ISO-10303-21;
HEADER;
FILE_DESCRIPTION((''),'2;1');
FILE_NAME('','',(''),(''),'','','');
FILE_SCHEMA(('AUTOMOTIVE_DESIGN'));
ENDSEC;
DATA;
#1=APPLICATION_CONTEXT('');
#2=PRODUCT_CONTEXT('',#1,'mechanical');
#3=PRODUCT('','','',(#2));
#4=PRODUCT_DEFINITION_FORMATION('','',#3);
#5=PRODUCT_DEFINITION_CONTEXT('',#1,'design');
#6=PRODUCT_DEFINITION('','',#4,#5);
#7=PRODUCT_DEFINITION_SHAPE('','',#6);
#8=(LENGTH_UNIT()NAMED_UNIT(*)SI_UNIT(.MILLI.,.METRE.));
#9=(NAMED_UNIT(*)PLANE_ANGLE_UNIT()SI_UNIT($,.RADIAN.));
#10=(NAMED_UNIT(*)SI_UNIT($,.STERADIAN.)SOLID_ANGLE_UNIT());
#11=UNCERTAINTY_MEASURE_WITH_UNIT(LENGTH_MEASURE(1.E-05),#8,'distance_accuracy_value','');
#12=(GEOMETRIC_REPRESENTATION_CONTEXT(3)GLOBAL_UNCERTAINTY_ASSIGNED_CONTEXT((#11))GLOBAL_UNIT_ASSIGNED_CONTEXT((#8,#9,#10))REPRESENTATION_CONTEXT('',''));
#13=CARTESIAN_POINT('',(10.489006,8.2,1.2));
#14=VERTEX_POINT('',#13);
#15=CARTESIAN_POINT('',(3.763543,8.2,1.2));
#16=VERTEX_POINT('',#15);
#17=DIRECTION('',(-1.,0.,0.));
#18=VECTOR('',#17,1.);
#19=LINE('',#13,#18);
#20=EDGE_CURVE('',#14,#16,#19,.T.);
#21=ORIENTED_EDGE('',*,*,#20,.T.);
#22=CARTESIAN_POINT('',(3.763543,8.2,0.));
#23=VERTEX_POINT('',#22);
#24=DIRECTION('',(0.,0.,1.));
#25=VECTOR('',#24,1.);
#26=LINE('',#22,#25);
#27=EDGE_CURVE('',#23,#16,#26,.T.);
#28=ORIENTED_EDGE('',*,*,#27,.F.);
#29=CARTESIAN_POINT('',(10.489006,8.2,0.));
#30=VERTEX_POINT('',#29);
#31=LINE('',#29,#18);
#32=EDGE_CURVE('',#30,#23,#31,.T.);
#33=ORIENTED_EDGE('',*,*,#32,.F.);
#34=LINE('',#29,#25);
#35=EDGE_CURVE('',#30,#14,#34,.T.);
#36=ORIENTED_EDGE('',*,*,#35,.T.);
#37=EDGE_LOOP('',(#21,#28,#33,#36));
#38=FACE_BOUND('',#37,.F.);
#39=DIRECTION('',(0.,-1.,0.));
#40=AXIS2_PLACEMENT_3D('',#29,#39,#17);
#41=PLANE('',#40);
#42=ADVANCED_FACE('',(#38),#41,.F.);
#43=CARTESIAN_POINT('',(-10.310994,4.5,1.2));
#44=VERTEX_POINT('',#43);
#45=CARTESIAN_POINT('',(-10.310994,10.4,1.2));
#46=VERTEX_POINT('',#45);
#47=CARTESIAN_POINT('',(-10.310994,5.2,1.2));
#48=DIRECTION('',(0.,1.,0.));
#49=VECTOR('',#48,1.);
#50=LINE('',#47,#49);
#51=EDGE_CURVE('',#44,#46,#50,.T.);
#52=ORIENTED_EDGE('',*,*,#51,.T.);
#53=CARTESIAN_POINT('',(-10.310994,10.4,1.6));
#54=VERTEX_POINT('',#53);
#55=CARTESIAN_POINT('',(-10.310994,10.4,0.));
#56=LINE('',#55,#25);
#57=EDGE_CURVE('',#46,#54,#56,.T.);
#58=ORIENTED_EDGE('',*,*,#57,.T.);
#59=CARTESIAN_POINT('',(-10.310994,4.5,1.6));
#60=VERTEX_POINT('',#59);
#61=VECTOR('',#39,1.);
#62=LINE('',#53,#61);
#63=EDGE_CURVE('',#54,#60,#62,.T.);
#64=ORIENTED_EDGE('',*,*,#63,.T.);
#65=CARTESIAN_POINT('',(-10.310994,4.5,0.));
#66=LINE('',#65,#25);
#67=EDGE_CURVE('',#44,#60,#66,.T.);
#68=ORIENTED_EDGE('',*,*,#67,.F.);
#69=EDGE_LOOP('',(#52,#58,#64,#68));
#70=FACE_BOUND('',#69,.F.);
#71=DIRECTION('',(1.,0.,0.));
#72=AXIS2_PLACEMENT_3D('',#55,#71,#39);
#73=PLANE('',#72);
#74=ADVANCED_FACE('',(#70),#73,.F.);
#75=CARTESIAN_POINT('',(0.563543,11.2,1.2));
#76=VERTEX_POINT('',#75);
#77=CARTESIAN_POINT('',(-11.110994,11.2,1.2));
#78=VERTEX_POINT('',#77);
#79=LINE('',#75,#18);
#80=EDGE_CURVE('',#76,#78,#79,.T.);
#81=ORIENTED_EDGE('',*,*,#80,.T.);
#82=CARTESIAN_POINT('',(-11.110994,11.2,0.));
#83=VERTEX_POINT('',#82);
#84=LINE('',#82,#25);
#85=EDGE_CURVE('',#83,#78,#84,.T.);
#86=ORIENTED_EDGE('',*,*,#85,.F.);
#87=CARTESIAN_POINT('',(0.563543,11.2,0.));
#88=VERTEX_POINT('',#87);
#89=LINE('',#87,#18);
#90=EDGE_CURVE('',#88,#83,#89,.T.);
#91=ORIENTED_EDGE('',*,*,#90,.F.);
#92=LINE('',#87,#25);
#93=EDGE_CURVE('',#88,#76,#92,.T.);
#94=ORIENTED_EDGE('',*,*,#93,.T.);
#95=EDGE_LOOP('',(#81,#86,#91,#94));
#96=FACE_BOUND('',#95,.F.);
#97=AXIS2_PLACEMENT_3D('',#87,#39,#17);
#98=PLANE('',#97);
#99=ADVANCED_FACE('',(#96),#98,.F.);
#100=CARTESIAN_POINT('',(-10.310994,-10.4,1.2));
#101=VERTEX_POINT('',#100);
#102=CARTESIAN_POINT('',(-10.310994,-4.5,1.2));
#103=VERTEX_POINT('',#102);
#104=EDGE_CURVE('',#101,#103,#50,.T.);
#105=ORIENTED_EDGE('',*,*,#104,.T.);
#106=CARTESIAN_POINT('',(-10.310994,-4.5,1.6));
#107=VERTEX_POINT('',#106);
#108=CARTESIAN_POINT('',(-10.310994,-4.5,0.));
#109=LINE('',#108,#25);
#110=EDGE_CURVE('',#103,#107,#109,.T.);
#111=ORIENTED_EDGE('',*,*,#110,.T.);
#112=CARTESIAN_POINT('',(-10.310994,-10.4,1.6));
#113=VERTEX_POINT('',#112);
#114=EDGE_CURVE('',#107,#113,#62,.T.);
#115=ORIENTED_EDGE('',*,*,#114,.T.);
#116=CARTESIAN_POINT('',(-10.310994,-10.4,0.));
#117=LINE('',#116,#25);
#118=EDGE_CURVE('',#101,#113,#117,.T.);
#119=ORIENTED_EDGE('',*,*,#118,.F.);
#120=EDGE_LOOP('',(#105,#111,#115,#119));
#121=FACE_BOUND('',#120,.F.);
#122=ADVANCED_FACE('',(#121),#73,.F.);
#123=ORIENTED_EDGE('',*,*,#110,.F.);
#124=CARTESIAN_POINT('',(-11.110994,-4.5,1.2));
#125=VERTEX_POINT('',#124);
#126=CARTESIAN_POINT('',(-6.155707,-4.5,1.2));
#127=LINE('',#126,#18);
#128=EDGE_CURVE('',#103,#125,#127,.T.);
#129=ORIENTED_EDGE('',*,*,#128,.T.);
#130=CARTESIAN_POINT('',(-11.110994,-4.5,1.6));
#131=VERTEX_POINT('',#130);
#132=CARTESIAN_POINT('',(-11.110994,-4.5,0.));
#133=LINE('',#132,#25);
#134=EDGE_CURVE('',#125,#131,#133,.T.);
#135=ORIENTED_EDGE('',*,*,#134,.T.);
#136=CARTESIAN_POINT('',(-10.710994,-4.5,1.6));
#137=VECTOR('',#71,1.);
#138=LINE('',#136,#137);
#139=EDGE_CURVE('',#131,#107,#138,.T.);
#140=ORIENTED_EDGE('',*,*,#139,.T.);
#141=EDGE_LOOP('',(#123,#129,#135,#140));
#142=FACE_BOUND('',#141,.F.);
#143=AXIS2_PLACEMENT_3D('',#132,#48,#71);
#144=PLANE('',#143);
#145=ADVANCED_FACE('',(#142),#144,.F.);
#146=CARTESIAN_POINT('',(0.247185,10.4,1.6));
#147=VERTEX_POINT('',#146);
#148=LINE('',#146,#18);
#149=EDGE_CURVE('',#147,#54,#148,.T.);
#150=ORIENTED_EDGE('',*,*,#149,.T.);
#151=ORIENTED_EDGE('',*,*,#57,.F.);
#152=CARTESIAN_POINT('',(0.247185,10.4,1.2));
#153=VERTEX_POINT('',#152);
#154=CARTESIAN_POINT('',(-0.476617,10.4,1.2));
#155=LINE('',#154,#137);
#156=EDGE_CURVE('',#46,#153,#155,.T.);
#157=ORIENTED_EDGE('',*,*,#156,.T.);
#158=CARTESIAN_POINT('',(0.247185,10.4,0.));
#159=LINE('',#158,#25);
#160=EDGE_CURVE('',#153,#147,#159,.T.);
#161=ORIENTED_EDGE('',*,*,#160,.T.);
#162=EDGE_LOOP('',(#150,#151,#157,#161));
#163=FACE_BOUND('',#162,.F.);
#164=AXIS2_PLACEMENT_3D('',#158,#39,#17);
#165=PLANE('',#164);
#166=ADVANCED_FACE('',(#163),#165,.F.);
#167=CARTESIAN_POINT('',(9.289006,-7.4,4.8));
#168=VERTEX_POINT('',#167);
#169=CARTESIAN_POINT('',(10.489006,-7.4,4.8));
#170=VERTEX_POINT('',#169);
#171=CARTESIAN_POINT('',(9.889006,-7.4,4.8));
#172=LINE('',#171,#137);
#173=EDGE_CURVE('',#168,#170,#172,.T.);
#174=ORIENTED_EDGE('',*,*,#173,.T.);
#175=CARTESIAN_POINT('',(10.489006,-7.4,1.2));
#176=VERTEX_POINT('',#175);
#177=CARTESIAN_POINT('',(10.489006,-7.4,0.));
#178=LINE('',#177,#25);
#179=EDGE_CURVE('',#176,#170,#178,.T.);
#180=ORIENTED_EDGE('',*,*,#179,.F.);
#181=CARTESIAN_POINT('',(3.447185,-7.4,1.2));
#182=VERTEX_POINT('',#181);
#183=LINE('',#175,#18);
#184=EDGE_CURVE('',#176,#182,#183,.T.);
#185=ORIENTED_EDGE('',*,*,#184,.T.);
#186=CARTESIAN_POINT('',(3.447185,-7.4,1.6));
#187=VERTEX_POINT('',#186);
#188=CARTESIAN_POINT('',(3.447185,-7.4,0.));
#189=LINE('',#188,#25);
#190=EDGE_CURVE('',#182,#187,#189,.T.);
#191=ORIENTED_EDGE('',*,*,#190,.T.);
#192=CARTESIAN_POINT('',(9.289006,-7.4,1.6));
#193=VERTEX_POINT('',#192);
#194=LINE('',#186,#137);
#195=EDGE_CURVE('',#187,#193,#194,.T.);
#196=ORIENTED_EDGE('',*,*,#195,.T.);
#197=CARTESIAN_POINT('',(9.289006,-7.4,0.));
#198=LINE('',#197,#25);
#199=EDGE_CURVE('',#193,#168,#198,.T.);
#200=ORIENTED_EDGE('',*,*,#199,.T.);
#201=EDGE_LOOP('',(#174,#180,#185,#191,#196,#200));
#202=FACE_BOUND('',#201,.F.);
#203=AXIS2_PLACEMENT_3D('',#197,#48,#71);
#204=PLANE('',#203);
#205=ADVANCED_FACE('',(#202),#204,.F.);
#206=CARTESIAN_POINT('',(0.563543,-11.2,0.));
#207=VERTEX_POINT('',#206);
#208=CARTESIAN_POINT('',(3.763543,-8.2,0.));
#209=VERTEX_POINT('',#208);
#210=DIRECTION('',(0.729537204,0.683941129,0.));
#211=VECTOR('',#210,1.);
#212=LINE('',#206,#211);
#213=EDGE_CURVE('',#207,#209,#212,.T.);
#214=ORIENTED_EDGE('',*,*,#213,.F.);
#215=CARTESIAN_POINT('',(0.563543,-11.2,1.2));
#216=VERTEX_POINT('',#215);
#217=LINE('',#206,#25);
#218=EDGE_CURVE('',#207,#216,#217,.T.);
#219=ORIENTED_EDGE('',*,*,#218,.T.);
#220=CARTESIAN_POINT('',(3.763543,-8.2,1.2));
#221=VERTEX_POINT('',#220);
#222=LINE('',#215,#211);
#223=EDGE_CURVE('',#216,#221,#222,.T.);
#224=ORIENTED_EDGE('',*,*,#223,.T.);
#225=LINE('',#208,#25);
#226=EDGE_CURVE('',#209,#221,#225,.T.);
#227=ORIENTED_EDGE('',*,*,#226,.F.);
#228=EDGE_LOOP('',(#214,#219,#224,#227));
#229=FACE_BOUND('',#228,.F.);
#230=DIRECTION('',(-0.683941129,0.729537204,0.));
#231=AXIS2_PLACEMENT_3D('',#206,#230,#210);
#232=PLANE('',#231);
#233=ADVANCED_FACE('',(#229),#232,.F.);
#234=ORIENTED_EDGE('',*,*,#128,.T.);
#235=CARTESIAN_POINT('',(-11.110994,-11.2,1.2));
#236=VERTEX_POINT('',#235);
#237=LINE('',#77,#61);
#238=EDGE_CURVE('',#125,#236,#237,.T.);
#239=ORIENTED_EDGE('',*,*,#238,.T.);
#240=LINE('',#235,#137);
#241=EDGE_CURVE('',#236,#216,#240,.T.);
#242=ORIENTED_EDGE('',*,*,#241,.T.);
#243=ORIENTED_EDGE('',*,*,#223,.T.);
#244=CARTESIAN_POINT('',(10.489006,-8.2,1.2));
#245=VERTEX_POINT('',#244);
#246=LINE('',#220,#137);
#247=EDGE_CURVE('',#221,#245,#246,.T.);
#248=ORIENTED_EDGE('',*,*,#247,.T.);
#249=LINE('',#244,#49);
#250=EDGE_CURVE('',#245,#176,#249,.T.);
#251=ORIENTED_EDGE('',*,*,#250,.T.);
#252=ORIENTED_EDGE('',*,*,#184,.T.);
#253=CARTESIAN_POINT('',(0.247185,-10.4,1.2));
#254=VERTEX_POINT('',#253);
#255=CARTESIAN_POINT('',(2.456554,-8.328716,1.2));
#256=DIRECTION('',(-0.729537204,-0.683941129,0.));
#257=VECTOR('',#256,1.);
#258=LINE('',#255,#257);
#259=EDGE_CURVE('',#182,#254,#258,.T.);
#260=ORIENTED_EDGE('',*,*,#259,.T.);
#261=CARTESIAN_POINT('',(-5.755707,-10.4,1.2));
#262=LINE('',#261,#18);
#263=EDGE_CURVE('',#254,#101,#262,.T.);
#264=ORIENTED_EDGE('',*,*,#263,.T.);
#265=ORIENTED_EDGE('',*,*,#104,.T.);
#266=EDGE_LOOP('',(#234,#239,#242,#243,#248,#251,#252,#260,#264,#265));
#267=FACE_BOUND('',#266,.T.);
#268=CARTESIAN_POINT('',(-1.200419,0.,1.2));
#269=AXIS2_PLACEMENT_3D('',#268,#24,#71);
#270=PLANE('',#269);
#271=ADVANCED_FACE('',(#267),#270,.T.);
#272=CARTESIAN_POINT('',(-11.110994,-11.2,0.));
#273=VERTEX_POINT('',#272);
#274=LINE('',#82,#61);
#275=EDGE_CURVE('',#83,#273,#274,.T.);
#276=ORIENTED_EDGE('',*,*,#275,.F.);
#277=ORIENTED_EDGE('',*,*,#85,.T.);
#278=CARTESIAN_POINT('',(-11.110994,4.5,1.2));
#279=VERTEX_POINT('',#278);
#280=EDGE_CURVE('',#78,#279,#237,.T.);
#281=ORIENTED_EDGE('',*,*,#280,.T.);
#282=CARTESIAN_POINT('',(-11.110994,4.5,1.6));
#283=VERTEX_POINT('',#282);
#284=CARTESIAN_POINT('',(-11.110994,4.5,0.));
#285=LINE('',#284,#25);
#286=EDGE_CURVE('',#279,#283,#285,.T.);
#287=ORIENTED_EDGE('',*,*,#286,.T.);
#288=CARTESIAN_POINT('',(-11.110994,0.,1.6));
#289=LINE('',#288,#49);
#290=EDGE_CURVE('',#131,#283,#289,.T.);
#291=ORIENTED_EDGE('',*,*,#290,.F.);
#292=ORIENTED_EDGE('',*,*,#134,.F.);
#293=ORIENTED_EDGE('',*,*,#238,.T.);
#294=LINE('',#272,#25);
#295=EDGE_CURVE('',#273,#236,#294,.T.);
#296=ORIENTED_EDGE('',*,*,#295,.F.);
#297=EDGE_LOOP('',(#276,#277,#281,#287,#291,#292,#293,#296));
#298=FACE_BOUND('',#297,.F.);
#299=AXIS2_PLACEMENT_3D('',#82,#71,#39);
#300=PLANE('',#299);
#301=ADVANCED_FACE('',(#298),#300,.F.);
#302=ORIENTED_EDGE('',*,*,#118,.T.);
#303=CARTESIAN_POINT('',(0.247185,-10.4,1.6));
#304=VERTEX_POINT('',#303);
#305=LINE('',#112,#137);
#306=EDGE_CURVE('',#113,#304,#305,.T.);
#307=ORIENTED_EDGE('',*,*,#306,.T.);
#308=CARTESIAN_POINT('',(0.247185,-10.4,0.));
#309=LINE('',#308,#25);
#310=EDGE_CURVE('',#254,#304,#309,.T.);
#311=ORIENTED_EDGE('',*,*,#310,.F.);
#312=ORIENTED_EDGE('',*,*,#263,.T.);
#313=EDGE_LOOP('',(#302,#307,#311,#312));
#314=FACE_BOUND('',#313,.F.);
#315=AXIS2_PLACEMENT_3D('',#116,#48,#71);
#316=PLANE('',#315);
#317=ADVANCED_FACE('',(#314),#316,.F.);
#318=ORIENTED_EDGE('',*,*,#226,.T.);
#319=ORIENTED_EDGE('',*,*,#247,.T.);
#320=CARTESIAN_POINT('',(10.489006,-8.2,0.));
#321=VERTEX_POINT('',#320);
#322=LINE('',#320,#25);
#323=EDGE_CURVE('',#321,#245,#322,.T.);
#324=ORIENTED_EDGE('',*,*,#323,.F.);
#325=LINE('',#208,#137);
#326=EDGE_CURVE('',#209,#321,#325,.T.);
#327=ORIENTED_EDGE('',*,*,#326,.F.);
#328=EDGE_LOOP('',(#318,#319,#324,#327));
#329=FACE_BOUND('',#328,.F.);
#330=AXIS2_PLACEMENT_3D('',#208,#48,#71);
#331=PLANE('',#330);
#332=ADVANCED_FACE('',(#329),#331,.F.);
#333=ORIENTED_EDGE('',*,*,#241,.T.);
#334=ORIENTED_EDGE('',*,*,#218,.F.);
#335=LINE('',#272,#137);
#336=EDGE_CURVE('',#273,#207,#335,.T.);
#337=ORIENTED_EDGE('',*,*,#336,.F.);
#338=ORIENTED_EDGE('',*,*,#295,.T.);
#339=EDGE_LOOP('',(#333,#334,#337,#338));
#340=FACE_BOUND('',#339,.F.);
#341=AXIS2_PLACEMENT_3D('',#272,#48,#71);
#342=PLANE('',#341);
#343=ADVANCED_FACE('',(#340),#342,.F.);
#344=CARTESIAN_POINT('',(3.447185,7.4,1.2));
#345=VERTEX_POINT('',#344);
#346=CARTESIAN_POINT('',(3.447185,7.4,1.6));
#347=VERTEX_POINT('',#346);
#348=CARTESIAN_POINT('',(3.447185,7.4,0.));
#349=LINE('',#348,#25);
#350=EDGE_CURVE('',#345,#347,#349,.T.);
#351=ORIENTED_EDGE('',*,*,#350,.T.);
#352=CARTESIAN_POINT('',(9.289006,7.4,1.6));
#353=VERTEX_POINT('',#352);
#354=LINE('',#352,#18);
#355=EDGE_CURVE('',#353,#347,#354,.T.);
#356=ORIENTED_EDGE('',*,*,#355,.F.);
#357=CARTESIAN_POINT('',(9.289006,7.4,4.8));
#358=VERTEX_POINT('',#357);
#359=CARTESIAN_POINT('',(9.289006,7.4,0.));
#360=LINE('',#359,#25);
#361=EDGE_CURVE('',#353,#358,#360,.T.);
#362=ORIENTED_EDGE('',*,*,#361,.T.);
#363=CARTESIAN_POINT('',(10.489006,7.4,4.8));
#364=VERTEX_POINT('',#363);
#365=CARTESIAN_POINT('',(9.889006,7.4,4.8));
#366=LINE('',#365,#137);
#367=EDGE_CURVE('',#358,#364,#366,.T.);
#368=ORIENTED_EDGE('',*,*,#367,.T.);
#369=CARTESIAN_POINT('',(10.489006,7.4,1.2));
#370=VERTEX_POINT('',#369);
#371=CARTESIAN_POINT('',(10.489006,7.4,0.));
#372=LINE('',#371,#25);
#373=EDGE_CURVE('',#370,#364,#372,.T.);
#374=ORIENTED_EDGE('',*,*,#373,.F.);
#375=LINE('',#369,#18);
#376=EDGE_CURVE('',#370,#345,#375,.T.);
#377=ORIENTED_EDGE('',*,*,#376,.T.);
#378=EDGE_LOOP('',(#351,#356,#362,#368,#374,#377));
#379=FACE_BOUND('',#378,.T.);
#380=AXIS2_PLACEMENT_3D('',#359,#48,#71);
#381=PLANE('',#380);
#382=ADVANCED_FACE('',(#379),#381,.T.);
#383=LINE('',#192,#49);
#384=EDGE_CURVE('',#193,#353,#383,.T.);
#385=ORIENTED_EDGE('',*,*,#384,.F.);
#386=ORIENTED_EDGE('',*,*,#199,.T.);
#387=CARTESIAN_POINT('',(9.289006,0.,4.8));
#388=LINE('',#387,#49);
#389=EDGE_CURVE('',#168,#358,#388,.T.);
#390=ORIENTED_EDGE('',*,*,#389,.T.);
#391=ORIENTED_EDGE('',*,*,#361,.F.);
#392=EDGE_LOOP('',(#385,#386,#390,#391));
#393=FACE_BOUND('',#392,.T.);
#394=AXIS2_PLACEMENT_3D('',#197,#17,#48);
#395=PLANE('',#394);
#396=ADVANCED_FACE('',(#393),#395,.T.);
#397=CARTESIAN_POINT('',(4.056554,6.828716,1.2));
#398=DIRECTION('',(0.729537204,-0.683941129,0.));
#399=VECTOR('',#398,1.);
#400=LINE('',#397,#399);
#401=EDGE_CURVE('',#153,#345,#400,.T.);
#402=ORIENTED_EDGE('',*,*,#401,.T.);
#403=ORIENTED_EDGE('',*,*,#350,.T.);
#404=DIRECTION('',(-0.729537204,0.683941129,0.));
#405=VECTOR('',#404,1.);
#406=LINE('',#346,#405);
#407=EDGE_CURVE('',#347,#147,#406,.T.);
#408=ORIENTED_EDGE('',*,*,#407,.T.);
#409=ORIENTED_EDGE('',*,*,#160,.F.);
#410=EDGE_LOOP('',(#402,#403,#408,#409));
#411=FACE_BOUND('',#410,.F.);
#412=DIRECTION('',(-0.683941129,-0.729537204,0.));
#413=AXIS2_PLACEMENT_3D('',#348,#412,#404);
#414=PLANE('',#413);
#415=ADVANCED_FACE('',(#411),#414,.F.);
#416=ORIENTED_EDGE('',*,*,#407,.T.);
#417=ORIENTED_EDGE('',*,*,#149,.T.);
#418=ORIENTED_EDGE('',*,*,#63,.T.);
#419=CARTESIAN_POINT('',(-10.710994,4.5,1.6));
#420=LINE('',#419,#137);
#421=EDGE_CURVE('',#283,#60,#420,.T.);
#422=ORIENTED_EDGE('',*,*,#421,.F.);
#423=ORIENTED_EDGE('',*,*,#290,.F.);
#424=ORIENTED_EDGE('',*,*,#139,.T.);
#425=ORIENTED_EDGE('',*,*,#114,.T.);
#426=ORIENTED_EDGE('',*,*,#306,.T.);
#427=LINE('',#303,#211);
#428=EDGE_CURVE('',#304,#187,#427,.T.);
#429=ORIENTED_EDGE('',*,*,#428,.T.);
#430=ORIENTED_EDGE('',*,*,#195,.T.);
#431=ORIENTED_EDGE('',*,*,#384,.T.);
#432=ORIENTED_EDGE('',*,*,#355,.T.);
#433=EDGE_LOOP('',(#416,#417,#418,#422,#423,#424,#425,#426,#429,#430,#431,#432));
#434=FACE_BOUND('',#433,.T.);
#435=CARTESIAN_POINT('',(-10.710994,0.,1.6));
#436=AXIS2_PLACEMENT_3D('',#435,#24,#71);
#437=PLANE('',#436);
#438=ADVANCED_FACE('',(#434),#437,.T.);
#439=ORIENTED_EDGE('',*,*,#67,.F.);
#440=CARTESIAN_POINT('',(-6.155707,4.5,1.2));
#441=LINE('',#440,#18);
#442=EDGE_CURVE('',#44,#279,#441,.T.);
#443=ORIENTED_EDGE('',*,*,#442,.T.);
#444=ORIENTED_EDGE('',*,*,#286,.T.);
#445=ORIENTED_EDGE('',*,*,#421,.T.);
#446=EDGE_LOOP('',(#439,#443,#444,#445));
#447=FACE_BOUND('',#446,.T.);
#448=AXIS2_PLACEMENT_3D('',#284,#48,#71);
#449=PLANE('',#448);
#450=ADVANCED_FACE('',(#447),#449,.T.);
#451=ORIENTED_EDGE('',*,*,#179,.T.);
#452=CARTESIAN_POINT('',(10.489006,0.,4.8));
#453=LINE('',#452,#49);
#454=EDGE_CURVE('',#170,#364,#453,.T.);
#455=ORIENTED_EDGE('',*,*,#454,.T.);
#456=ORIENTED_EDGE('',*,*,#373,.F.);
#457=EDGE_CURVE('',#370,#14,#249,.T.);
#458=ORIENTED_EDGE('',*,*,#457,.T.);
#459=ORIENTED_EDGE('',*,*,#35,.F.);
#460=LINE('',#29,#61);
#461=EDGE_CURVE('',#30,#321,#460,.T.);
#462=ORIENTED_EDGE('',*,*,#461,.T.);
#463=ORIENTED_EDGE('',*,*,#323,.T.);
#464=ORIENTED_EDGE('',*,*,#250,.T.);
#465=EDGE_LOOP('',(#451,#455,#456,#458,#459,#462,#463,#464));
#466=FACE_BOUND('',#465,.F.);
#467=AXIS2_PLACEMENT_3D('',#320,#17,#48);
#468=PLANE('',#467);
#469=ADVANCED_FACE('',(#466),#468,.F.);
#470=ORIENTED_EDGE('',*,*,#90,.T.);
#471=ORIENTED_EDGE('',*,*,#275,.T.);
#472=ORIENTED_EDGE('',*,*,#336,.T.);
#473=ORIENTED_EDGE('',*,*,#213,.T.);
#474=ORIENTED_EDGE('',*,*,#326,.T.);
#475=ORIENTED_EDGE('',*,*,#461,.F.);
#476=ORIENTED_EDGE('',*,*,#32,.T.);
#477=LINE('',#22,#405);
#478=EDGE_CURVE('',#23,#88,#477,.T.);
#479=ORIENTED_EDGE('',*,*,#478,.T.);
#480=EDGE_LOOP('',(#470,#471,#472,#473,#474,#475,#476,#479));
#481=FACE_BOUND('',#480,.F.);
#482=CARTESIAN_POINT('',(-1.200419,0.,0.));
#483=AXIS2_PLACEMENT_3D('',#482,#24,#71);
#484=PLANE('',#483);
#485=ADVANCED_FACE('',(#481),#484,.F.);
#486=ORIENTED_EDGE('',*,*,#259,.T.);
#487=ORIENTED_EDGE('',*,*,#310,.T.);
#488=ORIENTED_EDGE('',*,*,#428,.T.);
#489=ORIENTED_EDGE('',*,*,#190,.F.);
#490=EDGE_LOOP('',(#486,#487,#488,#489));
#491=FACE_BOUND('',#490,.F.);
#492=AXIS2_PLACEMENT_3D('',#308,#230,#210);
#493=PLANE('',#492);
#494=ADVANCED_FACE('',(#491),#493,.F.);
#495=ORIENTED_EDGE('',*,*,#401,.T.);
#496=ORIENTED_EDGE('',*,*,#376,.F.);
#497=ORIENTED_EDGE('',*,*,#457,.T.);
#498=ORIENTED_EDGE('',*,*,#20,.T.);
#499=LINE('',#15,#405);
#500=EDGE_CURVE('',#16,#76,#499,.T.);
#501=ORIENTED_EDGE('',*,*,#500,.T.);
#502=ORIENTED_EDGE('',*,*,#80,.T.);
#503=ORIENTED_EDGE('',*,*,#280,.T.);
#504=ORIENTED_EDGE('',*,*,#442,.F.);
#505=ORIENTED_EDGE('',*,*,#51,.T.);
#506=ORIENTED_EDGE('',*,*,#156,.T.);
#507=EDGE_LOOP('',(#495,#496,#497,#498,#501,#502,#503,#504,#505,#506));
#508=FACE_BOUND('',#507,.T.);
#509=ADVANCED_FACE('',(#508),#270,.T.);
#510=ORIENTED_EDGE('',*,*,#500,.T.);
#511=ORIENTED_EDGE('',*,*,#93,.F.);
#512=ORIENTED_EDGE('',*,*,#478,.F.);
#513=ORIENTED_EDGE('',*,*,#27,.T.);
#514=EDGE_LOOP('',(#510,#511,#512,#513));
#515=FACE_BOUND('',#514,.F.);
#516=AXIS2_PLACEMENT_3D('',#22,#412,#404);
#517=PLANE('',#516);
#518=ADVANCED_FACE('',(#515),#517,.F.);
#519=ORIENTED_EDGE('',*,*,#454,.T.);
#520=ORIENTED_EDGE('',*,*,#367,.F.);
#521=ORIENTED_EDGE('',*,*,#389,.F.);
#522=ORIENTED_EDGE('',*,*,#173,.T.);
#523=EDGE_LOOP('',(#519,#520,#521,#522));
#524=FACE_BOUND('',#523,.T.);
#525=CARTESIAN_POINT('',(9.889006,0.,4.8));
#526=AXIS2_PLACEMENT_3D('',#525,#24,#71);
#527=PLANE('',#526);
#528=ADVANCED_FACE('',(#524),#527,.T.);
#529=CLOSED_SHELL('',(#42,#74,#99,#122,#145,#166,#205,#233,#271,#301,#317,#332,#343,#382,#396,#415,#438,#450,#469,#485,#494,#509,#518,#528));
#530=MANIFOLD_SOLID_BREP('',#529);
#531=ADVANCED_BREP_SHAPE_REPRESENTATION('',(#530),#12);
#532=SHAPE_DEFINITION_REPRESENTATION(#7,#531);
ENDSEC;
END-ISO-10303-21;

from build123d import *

# Parameters (mm, degrees)
F0_W     = 0.8
F0_H     = 9
F0_W_2   = 1.2
F0_H_2   = 14.8
F1_DEPTH = 1.2
F2_DEPTH = 1.6
F3_DEPTH = 4.8
F4_DEPTH = 1.6


with BuildPart() as f1:
    # F0 (on Top) → F1 (new body)
    with BuildSketch(Plane.XY):
        Polygon((9.289006, -7.4), (9.289006, 7.4), (3.447185, 7.4), (0.247185, 10.4), (-10.310994, 10.4), (-10.310994, 4.5), (-10.310994, -4.5), (-10.310994, -10.4), (0.247185, -10.4), (3.447185, -7.4), align=None)
        with Locations((-10.710994, 0)):
            Rectangle(F0_W, F0_H)
        Polygon((10.489006, -8.2), (10.489006, -7.4), (9.289006, -7.4), (3.447185, -7.4), (0.247185, -10.4), (-10.310994, -10.4), (-10.310994, -4.5), (-11.110994, -4.5), (-11.110994, -11.2), (0.563543, -11.2), (3.763543, -8.2), align=None)
        with Locations((9.889006, 0)):
            Rectangle(F0_W_2, F0_H_2)
        Polygon((10.489006, 8.2), (3.763543, 8.2), (0.563543, 11.2), (-11.110994, 11.2), (-11.110994, 4.5), (-10.310994, 4.5), (-10.310994, 10.4), (0.247185, 10.4), (3.447185, 7.4), (9.289006, 7.4), (10.489006, 7.4), align=None)
    extrude(amount=F1_DEPTH)

    # F0 (on Top) → F2 (join)
    with BuildSketch(Plane.XY):
        with Locations((-10.710994, 0)):
            Rectangle(F0_W, F0_H)
    extrude(amount=F2_DEPTH)

    # F0 (on Top) → F3 (join)
    with BuildSketch(Plane.XY):
        with Locations((9.889006, 0)):
            Rectangle(F0_W_2, F0_H_2)
    extrude(amount=F3_DEPTH)

    # F0 (on Top) → F4 (join)
    with BuildSketch(Plane.XY):
        Polygon((9.289006, -7.4), (9.289006, 7.4), (3.447185, 7.4), (0.247185, 10.4), (-10.310994, 10.4), (-10.310994, 4.5), (-10.310994, -4.5), (-10.310994, -10.4), (0.247185, -10.4), (3.447185, -7.4), align=None)
    extrude(amount=F4_DEPTH)


solid = f1.part
